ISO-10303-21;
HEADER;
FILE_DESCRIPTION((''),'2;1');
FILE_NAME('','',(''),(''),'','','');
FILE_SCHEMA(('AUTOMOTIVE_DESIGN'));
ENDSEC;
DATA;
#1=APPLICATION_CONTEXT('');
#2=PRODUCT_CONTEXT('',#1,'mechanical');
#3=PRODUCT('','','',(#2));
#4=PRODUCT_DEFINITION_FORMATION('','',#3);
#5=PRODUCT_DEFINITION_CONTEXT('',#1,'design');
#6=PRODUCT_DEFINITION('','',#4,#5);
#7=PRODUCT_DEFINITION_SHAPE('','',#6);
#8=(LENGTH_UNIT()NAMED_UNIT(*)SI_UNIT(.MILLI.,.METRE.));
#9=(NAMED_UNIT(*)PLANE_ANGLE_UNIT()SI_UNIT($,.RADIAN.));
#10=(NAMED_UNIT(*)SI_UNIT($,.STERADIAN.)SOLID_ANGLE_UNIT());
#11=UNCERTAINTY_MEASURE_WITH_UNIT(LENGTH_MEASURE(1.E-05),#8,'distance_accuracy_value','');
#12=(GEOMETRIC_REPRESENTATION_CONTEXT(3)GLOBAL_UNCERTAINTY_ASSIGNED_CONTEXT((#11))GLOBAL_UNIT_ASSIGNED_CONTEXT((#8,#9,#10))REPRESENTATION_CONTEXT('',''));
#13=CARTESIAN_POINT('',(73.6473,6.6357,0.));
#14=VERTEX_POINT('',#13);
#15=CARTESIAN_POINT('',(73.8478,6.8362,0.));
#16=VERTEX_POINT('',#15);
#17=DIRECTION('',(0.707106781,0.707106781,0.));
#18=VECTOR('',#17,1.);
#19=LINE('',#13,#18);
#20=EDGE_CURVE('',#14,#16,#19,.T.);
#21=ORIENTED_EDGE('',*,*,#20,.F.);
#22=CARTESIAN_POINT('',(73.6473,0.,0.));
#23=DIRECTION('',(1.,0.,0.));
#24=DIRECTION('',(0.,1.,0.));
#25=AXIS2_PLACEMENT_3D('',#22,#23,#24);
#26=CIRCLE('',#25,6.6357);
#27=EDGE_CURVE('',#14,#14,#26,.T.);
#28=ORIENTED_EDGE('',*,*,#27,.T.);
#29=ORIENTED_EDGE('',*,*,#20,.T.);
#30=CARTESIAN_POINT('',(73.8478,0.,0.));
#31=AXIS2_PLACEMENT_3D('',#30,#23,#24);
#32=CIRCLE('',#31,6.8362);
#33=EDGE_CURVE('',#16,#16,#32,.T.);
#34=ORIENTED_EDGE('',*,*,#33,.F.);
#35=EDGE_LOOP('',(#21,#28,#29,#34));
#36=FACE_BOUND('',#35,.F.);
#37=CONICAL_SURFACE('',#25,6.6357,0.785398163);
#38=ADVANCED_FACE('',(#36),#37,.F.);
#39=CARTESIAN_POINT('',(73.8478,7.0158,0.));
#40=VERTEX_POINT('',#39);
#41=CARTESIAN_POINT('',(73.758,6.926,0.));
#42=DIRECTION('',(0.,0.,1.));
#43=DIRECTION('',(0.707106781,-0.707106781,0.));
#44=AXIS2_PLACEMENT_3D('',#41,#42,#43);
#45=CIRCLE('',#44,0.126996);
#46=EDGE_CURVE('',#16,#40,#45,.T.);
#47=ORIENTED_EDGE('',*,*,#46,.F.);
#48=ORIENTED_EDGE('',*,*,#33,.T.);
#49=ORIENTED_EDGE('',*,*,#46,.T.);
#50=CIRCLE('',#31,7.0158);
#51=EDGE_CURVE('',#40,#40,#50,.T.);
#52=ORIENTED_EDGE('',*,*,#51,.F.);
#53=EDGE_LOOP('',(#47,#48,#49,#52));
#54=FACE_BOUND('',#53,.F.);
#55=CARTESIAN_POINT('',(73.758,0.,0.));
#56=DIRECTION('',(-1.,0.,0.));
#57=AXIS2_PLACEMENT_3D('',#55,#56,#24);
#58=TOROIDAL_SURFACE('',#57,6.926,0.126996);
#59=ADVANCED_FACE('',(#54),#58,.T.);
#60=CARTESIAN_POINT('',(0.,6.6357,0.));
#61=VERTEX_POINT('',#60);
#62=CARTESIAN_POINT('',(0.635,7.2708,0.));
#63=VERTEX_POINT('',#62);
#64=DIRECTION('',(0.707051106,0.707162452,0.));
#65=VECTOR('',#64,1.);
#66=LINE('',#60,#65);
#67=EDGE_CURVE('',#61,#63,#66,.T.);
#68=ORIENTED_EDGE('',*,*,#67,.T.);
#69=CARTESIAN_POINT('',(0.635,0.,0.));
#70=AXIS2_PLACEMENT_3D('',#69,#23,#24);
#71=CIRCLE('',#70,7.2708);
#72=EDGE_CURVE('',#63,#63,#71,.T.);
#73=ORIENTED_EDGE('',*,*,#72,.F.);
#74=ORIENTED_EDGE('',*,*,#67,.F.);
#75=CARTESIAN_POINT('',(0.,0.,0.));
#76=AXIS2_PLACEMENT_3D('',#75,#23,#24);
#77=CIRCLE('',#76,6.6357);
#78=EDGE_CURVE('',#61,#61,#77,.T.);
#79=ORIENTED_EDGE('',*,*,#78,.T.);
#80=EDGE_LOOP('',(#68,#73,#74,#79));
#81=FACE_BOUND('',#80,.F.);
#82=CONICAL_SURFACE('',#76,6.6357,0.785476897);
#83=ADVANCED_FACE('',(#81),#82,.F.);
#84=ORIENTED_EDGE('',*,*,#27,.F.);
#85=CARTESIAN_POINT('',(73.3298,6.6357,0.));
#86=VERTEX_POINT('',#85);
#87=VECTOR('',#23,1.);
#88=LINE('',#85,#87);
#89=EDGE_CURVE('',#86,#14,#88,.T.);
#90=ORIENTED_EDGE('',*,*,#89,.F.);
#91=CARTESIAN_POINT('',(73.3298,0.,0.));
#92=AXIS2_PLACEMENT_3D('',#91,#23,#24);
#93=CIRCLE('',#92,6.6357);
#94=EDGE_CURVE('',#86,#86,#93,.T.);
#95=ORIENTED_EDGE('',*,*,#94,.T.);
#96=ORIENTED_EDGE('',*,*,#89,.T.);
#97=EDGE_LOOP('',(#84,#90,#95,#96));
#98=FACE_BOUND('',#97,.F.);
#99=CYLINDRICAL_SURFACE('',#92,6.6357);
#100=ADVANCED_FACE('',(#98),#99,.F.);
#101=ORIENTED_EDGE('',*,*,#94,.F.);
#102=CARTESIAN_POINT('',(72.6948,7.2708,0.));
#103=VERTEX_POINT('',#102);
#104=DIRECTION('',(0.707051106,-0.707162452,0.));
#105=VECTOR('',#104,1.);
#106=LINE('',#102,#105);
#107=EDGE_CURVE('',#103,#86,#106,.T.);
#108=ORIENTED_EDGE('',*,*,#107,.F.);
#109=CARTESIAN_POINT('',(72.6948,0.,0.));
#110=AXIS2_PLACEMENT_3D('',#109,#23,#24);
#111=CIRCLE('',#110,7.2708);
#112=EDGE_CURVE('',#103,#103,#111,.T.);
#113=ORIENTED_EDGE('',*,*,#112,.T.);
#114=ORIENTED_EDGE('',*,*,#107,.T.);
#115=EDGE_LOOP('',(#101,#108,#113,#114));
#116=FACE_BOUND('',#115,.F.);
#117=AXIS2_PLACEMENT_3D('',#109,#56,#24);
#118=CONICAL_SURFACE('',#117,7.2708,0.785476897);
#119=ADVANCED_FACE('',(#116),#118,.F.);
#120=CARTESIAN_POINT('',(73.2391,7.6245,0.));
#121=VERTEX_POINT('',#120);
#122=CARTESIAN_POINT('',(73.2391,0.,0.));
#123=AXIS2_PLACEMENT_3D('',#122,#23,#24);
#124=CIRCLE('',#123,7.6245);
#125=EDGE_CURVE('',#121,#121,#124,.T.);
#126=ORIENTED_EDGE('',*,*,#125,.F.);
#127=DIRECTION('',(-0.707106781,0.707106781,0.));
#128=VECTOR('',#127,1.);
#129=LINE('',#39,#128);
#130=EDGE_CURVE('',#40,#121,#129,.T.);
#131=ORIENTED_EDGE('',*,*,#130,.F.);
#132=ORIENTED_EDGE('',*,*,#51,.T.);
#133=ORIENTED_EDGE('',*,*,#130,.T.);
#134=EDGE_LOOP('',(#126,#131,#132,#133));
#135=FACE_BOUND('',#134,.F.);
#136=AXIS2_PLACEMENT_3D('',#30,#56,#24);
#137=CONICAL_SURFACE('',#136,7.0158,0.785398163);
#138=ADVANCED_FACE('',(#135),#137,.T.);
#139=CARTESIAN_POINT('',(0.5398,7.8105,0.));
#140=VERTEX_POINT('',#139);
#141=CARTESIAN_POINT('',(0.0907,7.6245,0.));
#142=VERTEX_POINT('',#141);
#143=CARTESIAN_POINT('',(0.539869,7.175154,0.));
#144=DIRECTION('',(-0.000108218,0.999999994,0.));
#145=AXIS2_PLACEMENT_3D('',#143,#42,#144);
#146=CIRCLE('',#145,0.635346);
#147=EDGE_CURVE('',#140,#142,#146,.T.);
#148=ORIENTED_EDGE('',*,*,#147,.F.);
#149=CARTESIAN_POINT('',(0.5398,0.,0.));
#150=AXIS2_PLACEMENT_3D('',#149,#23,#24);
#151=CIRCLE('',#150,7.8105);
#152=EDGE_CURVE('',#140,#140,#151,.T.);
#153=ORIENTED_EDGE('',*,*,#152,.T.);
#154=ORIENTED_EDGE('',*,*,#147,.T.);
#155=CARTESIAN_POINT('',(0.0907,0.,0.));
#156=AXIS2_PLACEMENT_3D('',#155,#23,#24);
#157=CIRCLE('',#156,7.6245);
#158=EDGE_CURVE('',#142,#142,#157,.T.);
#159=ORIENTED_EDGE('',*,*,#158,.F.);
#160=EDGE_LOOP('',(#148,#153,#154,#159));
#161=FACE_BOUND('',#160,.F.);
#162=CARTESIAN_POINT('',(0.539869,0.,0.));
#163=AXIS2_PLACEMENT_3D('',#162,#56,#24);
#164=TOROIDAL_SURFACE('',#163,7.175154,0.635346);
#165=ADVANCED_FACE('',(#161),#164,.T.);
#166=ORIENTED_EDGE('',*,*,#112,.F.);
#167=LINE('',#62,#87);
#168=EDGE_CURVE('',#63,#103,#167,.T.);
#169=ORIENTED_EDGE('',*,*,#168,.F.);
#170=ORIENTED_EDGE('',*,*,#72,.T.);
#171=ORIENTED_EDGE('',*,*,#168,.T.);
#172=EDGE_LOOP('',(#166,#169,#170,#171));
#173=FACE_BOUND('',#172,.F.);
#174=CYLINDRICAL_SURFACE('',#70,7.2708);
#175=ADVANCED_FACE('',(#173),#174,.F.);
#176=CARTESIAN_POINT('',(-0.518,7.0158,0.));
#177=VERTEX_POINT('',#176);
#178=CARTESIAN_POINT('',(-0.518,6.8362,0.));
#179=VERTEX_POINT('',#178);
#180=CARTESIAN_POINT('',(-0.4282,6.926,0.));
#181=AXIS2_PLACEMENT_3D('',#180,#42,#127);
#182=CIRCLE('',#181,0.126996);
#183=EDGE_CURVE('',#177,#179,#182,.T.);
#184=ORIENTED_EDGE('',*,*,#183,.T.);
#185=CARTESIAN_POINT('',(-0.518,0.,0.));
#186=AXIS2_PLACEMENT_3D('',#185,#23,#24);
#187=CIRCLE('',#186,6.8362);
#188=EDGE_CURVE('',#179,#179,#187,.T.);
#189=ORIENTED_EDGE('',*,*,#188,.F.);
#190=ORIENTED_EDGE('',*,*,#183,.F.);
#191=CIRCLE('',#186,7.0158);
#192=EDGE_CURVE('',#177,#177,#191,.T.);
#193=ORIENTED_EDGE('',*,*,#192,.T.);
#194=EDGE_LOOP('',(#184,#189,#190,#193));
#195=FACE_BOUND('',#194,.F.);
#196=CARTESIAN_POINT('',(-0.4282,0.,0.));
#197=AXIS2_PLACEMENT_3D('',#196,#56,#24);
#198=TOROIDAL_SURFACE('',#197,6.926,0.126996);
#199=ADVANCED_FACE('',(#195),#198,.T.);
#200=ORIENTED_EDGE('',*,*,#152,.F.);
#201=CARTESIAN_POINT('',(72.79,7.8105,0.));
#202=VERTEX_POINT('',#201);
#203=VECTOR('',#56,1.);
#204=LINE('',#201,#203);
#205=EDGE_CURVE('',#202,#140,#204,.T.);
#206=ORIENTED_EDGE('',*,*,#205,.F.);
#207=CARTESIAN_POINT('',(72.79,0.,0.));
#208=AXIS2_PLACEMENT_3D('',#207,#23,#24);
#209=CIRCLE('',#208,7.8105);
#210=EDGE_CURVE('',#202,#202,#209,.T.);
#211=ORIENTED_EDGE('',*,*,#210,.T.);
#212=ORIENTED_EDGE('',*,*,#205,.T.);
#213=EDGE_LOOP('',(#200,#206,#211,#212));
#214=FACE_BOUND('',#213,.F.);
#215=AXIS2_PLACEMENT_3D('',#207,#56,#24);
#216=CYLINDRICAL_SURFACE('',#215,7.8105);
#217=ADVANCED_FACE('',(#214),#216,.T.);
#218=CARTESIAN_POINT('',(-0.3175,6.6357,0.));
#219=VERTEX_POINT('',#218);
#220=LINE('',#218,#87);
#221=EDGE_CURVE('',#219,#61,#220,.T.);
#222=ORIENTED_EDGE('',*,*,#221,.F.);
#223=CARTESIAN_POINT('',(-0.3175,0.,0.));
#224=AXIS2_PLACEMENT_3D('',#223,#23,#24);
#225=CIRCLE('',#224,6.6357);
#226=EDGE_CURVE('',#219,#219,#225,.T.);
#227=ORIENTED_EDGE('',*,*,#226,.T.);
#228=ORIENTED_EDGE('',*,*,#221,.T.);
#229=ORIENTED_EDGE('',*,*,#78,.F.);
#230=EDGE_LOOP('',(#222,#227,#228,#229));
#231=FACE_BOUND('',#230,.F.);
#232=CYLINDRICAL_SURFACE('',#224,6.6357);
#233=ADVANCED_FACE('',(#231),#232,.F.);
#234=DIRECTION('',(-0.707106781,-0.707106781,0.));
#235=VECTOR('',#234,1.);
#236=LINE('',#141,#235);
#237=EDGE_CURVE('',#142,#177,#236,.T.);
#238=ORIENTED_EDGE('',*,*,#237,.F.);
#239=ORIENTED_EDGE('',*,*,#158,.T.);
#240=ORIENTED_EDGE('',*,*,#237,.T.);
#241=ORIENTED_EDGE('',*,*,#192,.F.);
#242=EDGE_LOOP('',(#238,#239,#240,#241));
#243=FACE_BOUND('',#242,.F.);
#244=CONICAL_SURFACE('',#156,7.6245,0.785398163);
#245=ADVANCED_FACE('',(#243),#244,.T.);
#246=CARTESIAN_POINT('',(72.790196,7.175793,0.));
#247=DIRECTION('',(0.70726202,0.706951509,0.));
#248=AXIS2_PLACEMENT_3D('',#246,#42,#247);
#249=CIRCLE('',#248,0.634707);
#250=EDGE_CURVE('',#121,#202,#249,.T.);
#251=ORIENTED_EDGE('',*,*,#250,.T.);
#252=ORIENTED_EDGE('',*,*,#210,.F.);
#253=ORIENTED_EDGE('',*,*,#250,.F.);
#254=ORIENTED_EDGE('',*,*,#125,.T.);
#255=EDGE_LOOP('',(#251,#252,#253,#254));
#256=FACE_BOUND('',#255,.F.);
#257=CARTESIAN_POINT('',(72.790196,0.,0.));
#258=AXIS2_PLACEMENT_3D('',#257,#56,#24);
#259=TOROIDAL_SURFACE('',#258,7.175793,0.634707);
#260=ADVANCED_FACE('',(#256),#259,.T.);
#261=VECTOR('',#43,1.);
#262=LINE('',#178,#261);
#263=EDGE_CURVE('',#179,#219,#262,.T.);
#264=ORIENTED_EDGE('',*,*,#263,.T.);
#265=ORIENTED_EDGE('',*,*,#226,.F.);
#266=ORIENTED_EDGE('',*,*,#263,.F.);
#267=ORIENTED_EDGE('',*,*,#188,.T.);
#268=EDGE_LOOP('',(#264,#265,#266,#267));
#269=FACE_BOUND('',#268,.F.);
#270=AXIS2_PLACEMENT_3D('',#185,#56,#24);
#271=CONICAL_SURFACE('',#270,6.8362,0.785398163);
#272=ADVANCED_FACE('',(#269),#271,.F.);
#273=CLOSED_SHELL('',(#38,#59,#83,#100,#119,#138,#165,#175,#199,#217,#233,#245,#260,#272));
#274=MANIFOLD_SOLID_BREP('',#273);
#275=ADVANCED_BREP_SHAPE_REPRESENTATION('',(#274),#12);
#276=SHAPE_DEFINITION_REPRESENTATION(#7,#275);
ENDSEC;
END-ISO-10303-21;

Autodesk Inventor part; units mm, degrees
sketch "Sketch_1" plane through (0, 0, 0) normal (0, 0, 1) x (1, 0, 0)
  line L0 (73.3298, 0) -> (0, 0)
  arc A0 (-0.518, 7.0158) -> (-0.518, 6.8362) centre (-0.4282, 6.926) ccw
  line L1 (-0.518, 6.8362) -> (-0.3175, 6.6357)
  line L2 (-0.3175, 6.6357) -> (0, 6.6357)
  line L3 (0, 6.6357) -> (0.635, 7.2708)
  line L4 (0.635, 7.2708) -> (72.6948, 7.2708)
  line L5 (72.6948, 7.2708) -> (73.3298, 6.6357)
  line L6 (73.3298, 6.6357) -> (73.6473, 6.6357)
  line L7 (73.6473, 6.6357) -> (73.8478, 6.8362)
  arc A1 (73.8478, 6.8362) -> (73.8478, 7.0158) centre (73.758, 6.926) ccw
  line L8 (73.8478, 7.0158) -> (73.2391, 7.6245)
  arc A2 (73.2391, 7.6245) -> (72.79, 7.8105) centre (72.79, 7.1755) ccw
  line L9 (72.79, 7.8105) -> (0.5398, 7.8105)
  arc A3 (0.5398, 7.8105) -> (0.0907, 7.6245) centre (0.5398, 7.1755) ccw
  line L10 (0.0907, 7.6245) -> (-0.518, 7.0158)
revolve "Revolution1" add sketch "Sketch_1" angle 360 about axis through (73.3298, 0, 0) along (1, 0, 0)
ref_plane "cp1_XY" through (36.6649, 0, 7.8105) normal (1, 0, 0) x (0, 0, -1)
ref_plane "cp1_YZ" through (36.6649, 0, 7.8105) normal (0, 0, -1) x (0, 1, 0)
ref_plane "cp1_ZX" through (36.6649, 0, 7.8105) normal (0, 1, 0) x (1, 0, 0)
ref_plane "cp2_XY" through (36.6649, -7.8105, 0) normal (1, 0, 0) x (0, 0, -1)
ref_plane "cp2_YZ" through (36.6649, -7.8105, 0) normal (0, 0, -1) x (0, 1, 0)
ref_plane "cp2_ZX" through (36.6649, -7.8105, 0) normal (0, 1, 0) x (1, 0, 0)
ref_plane "cp3_XY" through (36.6649, 0, -7.8105) normal (1, 0, 0) x (0, 0, -1)
ref_plane "cp3_YZ" through (36.6649, 0, -7.8105) normal (0, 0, -1) x (0, 1, 0)
ref_plane "cp3_ZX" through (36.6649, 0, -7.8105) normal (0, 1, 0) x (1, 0, 0)
ref_plane "cp4_XY" through (36.6649, 7.8105, 0) normal (1, 0, 0) x (0, 0, -1)
ref_plane "cp4_YZ" through (36.6649, 7.8105, 0) normal (0, 0, -1) x (0, 1, 0)
ref_plane "cp4_ZX" through (36.6649, 7.8105, 0) normal (0, 1, 0) x (1, 0, 0)
ref_plane "tube_front_XY" through (0, 0, 0) normal (1, 0, 0) x (0, 0, -1)
ref_plane "tube_front_YZ" through (0, 0, 0) normal (0, 0, -1) x (0, 1, 0)
ref_plane "tube_front_ZX" through (0, 0, 0) normal (0, 1, 0) x (1, 0, 0)
ref_plane "tube_rear_XY" through (73.3298, 0, 0) normal (1, 0, 0) x (0, 0, -1)
ref_plane "tube_rear_YZ" through (73.3298, 0, 0) normal (0, 0, -1) x (0, 1, 0)
ref_plane "tube_rear_ZX" through (73.3298, 0, 0) normal (0, 1, 0) x (1, 0, 0)
properties part number "02R-2.8870"
